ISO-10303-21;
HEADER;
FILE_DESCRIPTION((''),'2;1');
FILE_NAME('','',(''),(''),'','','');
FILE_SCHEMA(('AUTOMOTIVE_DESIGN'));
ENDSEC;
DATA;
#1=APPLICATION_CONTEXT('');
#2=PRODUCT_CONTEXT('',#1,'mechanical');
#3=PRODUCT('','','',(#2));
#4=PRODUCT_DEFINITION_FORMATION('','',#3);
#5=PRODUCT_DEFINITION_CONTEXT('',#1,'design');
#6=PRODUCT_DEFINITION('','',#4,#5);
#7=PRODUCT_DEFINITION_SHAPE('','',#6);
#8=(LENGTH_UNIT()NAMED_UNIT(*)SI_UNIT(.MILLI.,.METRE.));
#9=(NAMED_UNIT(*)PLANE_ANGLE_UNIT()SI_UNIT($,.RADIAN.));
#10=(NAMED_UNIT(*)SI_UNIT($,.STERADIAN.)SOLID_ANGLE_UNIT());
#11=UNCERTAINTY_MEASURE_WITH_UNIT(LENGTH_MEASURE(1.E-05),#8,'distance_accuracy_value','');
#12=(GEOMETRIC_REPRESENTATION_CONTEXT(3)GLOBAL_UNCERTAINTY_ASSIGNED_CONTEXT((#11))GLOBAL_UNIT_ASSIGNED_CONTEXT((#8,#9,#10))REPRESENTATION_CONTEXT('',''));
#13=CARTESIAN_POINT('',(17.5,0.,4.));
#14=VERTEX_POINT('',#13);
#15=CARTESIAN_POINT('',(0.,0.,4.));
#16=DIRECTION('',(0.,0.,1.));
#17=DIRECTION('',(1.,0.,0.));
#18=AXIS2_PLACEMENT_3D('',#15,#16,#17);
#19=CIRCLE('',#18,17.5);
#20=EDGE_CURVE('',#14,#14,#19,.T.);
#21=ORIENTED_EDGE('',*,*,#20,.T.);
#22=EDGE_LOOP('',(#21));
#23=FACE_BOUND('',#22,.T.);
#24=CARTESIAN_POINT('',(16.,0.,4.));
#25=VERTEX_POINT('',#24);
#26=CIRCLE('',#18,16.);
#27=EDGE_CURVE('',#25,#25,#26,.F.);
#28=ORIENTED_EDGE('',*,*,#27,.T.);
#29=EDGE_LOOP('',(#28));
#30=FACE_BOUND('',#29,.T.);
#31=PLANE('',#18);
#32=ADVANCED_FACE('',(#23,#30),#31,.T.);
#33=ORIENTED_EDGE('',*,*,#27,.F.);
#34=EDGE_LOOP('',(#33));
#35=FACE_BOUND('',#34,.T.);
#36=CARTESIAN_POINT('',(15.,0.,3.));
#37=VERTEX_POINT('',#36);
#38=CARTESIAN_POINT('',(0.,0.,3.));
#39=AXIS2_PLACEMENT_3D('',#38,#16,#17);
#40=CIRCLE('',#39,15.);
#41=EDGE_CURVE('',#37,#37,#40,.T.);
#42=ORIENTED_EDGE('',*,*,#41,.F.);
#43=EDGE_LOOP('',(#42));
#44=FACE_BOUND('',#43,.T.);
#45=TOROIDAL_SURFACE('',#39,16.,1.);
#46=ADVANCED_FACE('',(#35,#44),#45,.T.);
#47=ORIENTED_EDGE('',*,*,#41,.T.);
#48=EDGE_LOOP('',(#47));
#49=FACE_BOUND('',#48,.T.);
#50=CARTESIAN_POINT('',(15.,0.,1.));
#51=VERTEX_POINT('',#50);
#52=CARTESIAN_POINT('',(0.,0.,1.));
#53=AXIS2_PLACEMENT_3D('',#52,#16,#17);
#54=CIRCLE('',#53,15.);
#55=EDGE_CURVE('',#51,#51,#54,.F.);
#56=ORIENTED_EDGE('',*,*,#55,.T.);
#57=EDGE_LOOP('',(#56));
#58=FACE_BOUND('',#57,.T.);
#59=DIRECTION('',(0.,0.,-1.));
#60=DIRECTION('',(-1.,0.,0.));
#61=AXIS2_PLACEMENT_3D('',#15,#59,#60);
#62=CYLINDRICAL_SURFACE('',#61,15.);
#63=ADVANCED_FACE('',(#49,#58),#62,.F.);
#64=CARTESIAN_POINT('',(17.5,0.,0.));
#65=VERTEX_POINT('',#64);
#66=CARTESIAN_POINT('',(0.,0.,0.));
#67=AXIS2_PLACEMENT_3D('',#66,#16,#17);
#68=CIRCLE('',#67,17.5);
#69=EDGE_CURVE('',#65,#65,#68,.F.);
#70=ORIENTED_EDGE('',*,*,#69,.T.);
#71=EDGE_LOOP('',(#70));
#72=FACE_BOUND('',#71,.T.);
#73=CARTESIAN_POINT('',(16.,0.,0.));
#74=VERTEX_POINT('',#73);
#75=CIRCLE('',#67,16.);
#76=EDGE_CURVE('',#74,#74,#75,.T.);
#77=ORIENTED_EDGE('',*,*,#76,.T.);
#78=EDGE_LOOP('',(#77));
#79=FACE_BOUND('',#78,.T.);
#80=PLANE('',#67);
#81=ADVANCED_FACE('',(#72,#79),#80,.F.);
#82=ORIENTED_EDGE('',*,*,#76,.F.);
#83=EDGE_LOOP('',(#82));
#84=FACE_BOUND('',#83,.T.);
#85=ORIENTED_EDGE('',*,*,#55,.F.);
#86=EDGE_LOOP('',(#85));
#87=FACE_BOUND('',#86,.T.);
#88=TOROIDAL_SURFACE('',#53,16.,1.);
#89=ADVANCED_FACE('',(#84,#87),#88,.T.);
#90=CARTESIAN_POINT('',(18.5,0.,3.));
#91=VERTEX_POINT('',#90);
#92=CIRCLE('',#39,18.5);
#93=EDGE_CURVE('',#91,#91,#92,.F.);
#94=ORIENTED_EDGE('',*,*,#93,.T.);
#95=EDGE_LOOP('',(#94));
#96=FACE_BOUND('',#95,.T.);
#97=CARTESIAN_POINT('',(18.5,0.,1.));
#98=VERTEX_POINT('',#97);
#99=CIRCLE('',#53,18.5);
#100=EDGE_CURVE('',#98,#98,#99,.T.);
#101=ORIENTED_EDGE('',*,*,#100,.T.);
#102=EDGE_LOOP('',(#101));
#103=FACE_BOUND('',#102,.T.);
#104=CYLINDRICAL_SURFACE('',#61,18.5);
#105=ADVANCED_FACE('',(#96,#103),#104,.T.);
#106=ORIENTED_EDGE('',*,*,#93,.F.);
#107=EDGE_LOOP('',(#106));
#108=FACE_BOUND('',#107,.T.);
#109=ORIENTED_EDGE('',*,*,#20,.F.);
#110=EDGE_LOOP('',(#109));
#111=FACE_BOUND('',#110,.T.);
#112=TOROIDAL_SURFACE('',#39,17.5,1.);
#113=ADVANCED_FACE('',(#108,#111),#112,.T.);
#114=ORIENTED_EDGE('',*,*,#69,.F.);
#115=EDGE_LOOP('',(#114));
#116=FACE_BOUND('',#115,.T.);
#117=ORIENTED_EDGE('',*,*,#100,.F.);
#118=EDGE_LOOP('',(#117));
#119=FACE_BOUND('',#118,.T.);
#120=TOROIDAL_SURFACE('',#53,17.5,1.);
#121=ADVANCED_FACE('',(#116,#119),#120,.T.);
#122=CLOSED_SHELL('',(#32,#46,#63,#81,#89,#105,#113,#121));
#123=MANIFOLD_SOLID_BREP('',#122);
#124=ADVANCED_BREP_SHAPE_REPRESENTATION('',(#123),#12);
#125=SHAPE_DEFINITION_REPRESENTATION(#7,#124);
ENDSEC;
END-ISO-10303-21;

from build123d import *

# Parameters (mm, degrees)
SKETCH_1_R      = 18.5
SKETCH_1_R_2    = 15
EXTRUDE_1_DEPTH = 4
FILLET_1_R      = 1


with BuildPart() as part:
    # 草图1 → 凸台-拉伸1 (new body)
    with BuildSketch(Plane.XY):
        Circle(SKETCH_1_R)
        Circle(SKETCH_1_R_2, mode=Mode.SUBTRACT)
    extrude(amount=EXTRUDE_1_DEPTH)

    # 圆角1
    fillet_1_edges = [part.edges().sort_by_distance(p)[0] for p in [
        (-18.5, 0, 0),
        (-18.5, 0, 4),
        (-15, 0, 0),
        (-15, 0, 4),
    ]]
    fillet(fillet_1_edges, radius=FILLET_1_R)


solid = part.part
